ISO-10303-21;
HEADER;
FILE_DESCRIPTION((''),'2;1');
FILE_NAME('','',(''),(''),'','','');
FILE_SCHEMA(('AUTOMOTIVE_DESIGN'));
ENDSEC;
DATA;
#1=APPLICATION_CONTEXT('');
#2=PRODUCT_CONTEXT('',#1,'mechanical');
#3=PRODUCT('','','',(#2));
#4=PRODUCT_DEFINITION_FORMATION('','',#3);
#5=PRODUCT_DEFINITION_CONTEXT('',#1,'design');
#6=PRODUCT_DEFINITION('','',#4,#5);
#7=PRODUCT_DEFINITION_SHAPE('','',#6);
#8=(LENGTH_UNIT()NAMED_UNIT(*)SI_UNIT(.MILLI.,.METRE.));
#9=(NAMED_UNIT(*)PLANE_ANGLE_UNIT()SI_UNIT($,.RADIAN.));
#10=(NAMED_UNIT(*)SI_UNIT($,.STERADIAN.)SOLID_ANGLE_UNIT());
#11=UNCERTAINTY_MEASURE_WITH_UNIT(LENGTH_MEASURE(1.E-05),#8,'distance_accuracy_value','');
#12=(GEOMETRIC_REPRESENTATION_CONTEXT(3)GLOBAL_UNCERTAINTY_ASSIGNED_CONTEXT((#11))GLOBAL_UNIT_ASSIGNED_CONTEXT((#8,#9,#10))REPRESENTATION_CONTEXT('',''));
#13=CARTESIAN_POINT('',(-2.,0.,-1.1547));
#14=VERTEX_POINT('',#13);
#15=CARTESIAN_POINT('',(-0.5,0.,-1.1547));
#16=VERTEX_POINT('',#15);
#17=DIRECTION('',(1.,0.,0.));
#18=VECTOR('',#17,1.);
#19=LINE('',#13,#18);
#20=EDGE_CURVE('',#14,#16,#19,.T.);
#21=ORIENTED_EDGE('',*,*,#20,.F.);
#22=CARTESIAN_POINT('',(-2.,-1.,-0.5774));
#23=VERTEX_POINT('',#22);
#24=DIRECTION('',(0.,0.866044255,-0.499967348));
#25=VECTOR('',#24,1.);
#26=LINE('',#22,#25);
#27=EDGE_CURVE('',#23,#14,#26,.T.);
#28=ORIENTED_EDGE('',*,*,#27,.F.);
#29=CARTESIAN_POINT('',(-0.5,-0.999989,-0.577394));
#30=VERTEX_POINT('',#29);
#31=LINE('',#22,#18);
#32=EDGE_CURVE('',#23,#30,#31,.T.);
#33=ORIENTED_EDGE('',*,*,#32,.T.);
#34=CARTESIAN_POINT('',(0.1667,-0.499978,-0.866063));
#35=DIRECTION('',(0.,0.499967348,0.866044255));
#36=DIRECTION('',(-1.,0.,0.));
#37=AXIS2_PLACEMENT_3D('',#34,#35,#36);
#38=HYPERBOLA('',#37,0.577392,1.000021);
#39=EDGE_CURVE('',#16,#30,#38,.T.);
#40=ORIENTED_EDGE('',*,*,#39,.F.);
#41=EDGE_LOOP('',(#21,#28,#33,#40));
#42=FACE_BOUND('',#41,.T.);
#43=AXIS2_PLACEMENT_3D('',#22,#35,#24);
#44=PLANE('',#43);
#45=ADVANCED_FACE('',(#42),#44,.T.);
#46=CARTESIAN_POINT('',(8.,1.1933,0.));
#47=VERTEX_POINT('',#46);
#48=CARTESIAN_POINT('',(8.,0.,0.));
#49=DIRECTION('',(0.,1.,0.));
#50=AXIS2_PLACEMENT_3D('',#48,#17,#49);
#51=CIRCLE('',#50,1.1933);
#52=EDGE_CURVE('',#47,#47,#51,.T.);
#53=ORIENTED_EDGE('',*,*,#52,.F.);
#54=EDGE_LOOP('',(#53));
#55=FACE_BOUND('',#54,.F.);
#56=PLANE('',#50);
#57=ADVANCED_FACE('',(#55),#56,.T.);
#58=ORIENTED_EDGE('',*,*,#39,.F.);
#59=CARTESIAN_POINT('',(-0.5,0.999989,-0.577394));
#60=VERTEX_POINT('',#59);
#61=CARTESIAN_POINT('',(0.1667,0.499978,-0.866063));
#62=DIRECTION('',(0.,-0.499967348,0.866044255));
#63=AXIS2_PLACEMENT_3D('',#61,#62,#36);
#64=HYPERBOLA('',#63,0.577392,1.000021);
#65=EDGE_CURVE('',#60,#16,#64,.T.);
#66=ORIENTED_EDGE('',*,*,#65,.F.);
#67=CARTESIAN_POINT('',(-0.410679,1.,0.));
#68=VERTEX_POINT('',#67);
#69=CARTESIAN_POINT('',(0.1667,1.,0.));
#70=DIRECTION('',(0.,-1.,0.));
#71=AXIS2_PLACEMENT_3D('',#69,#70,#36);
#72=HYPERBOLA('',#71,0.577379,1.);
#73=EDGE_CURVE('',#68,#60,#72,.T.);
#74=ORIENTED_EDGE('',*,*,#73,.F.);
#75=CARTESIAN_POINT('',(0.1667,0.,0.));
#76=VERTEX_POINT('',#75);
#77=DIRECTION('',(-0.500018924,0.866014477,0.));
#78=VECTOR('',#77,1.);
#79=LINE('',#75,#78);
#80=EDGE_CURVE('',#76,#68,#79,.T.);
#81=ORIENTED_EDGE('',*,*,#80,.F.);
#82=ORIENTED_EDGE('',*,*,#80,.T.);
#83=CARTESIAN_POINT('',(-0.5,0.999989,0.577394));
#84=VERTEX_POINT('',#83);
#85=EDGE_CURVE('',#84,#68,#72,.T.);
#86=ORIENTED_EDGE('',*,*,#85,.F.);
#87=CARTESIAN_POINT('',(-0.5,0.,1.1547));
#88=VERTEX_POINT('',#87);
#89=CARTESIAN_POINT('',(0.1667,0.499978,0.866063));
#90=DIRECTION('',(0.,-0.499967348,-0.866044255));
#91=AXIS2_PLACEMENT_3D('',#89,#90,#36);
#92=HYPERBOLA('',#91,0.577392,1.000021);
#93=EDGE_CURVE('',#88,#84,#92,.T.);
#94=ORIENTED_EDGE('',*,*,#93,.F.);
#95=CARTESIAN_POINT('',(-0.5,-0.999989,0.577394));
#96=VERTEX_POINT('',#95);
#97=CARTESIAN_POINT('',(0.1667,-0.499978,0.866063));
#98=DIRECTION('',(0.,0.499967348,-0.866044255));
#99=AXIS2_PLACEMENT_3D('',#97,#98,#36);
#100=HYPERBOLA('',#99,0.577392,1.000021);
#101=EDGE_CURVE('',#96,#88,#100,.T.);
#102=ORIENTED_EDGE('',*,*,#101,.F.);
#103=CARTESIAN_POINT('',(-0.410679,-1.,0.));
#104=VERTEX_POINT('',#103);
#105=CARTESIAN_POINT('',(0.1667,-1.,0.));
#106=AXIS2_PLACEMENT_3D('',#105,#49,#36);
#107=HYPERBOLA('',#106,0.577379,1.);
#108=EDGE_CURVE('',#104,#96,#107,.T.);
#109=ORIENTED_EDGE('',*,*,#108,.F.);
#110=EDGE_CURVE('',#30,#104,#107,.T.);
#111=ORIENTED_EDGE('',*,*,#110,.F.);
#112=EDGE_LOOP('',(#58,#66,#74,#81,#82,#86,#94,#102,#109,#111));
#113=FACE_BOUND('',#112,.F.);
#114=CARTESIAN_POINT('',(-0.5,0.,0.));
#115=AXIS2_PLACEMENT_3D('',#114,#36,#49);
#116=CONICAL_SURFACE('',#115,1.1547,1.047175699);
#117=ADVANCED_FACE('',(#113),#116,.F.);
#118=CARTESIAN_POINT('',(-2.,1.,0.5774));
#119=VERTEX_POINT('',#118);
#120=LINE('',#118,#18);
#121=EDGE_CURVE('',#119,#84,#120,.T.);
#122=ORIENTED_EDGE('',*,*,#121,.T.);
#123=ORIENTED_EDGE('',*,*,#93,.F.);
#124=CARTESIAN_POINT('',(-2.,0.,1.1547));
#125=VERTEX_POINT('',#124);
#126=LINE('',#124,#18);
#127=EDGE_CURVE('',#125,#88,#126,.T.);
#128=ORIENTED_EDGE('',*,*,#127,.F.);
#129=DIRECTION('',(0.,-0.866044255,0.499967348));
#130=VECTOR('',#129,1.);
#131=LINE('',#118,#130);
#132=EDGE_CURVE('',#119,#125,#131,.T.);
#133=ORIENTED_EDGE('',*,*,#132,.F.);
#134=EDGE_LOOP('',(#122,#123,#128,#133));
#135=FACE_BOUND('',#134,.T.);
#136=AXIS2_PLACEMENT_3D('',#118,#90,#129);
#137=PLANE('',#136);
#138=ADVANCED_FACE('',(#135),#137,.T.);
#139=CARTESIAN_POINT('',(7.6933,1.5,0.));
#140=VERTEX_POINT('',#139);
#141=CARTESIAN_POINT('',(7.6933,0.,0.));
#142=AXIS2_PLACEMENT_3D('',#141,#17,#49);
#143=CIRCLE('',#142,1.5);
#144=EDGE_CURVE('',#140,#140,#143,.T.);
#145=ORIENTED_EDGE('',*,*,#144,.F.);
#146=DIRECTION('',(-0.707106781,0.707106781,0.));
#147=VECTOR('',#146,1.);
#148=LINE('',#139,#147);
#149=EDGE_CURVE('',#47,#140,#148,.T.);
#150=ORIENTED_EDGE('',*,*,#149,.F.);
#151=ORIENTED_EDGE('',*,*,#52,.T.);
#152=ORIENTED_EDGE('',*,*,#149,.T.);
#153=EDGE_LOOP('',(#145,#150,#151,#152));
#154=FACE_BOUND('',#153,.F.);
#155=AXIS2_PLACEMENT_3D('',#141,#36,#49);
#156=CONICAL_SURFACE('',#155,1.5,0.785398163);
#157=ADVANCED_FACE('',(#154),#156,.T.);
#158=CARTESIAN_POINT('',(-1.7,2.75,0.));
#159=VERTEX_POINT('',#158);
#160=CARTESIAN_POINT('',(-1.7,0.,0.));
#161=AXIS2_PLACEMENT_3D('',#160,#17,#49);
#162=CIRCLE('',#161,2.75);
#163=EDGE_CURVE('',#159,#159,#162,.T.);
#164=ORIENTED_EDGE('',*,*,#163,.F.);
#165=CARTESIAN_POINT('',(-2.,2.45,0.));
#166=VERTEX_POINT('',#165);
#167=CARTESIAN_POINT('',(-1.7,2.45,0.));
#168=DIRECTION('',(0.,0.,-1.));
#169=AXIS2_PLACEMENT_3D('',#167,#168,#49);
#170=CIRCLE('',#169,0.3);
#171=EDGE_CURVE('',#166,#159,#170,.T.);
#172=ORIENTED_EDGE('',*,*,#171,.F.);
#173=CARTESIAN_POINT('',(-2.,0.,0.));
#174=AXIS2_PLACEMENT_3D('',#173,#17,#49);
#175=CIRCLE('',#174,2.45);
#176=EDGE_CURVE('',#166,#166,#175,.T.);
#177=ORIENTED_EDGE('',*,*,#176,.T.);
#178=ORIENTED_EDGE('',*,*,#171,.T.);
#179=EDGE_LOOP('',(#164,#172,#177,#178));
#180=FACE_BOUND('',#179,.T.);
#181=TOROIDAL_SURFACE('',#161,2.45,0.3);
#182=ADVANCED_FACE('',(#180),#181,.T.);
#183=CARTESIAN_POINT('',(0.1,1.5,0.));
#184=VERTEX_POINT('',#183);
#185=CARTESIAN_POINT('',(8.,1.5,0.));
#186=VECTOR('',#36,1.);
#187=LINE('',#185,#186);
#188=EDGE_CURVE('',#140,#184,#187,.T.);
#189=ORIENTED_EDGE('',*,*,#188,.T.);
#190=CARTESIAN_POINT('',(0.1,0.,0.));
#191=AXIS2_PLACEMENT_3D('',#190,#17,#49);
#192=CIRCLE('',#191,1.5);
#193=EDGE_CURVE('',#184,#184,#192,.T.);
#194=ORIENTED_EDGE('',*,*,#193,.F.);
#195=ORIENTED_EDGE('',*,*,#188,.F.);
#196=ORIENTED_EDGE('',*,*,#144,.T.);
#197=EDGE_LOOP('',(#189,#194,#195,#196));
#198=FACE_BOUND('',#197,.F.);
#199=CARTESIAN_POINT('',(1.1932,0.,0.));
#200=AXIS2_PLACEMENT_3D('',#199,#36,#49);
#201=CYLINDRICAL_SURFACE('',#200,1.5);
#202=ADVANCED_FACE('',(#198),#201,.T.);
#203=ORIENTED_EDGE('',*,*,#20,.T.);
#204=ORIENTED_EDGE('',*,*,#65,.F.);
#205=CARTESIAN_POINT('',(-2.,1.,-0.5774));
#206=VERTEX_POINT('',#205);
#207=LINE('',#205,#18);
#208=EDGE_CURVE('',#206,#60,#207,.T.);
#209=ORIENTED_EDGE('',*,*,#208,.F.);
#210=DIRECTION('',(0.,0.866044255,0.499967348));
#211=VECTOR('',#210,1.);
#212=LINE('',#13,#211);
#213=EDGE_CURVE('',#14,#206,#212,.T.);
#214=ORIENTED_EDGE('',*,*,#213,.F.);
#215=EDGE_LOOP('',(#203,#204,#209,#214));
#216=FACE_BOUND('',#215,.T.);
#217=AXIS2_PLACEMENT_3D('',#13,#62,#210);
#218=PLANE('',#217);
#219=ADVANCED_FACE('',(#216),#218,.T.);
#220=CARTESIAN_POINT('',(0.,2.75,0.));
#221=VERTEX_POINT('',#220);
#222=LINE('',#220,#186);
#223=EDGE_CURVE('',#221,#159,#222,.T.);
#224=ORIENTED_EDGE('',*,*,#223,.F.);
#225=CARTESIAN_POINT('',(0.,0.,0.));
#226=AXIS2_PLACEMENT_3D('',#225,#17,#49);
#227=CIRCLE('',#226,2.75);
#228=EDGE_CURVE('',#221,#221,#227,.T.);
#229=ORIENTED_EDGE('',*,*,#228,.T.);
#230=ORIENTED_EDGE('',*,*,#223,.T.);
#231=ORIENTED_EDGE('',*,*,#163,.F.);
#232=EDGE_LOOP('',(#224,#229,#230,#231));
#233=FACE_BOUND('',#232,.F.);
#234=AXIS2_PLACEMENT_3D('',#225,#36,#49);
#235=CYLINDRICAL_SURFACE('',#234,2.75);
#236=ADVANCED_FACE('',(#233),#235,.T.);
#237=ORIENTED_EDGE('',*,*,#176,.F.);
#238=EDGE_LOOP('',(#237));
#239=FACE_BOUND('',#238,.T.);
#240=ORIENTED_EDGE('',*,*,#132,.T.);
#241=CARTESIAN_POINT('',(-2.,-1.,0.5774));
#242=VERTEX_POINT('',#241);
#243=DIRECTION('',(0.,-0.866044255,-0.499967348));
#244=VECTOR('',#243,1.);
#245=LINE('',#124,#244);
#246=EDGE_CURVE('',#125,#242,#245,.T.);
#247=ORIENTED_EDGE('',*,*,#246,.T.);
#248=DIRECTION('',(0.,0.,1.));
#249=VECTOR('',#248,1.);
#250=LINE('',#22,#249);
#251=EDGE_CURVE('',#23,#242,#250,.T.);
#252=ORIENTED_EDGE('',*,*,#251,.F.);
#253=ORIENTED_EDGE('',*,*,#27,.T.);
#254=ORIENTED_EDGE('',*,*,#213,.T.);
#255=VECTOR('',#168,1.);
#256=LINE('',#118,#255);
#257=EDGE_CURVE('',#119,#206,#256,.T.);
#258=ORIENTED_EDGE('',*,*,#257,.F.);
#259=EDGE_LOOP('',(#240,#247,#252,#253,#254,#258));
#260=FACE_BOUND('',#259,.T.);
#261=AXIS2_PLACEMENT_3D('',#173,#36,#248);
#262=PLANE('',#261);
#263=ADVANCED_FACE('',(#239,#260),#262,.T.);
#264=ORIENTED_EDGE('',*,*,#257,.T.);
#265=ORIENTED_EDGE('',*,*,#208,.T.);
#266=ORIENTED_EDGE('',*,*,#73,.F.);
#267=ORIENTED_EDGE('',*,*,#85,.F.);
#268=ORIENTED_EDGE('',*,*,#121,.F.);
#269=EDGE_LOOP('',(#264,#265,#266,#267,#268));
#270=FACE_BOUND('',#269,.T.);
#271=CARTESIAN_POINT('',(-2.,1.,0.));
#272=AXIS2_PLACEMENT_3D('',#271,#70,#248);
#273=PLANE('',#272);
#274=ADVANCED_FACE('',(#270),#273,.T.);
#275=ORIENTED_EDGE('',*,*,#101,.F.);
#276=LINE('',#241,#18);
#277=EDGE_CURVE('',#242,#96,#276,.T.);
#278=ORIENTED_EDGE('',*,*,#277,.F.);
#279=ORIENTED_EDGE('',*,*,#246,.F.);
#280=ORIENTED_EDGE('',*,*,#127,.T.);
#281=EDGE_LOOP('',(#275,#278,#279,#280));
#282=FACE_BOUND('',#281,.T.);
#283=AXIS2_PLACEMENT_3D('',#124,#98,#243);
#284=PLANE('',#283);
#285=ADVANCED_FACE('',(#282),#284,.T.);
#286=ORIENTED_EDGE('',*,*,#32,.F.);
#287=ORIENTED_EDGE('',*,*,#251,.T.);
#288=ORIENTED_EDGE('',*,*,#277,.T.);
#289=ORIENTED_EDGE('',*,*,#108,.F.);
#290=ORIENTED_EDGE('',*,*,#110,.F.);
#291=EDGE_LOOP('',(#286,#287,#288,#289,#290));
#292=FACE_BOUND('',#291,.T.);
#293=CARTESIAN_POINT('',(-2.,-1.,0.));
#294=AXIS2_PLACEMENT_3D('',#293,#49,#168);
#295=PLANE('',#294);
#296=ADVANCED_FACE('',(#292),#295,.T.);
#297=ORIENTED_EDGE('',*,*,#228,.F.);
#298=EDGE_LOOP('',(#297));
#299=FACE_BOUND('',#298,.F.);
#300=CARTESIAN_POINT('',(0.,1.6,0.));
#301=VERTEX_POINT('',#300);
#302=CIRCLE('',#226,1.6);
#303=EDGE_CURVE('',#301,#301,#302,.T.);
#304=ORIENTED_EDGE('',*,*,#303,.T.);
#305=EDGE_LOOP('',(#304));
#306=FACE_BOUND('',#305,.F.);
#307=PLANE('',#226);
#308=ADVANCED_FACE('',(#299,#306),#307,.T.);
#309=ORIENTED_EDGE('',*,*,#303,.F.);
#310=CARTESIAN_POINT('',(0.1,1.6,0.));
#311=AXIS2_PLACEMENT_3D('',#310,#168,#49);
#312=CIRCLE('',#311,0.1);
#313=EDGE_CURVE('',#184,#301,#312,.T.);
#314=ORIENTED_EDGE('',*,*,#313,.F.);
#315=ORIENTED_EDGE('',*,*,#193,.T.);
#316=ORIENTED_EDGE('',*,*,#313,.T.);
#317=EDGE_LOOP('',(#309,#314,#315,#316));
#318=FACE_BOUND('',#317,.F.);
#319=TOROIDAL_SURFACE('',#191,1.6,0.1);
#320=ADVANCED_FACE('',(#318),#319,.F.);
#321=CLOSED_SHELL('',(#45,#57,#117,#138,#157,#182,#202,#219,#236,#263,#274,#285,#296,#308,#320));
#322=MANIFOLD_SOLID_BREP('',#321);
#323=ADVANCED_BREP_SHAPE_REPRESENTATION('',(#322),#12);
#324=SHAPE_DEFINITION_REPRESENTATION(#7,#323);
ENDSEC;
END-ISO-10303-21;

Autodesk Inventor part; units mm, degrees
ref_plane "YZ Plane" through (0, 0, 0) normal (1, 0, 0) x (0, 1, 0)
ref_plane "XZ Plane" through (0, 0, 0) normal (0, 1, 0) x (-1, 0, 0)
sketch "Skizze1" plane through (0, 0, 0) normal (0, 0, 1) x (1, 0, 0)
  line L0 (0.1667, 0) -> (8, 0)
  line L1 (8, 0) -> (8, 1.5)
  line L2 (8, 1.5) -> (1.5, 1.5)
  line L3 (1.5, 1.5) -> (1.1932, 1.5)
  line L4 (1.1932, 1.5) -> (0, 1.5)
  line L5 (0, 1.5) -> (0, 2.75)
  line L6 (0, 2.75) -> (-2, 2.75)
  line L7 (-2, 2.75) -> (-2, 1.1547)
  line L8 (-2, 1.1547) -> (-0.5, 1.1547)
  line L9 (-0.5, 1.1547) -> (0.1667, 0)
  line L10 (-4, 0) -> (10, 0) projected
  line L11 (0, -0.55) -> (0, 3.3) projected
  line L12 (1.5, 1.5) -> (0, 1.5) construction
  dimension "d1" = 6.5
  dimension "d2" = 0.3068
  dimension "d3" = 2
  dimension "d4" = 1.5
  dimension "d5" = 60
  dimension "d6" = 3
  dimension "d7" = 3
  dimension "d8" = 2.3094
  dimension "d9" = 5.5
  dimension "d26" = 8
revolve "Körper" add sketch "Skizze1" angle 360 about axis through (0.1667, 0, 0) along (1, 0, 0) contours L9 L11 L4 L3 L2 L1 L0 | L9 L8 L7 L6 L5 L11
sketch "Skizze2" plane through (-2, 0, 0) normal (-1, 0, 0) x (0, 0, 1)
  circle A0 centre (0, 0) radius 1.1547 projected
  line L0 (0, -3.85) -> (0, 3.85) projected
  line L1 (-3.85, 0) -> (3.85, 0) projected
  line L2 (1.1547, 0) -> (0.5774, -1)
  line L3 (0.5774, -1) -> (-0.5774, -1)
  line L4 (-0.5774, -1) -> (-1.1547, 0)
  line L5 (-1.1547, 0) -> (-0.5774, 1)
  line L6 (-0.5774, 1) -> (0.5774, 1)
  line L7 (0.5774, 1) -> (1.1547, 0)
extrude "Loch" add sketch "Skizze2" against normal up to next contours L7 A0 | A0 L2 | L6 L0 A0 | A0 L0 L3 | L0 L6 A0 | A0 L3 L0 | L4 A0 | A0 L5
fillet "Rundung1" radius 0.3 1 edges at (-2, -2.75, 0)
thread "Gewinde" size "M3x0.5" class "6g" standard "ISO Metric profile" length 6.5
chamfer "Fase1" distance 0.3067 distance2 0.3067 1 edges at (8, -1.5, 0) measured on face at (8, 0.5539, 0.4443)
ref_plane "Work Plane1" through (29, 0, 0) normal (0, -1, 0) x (1, 0, 0)
fillet "Fillet2" radius 0.1 1 edges at (0, -1.5, 0)
equation "\"d1\" = GEL"
equation "\"d3\" = KOH"
equation "\"d4\" = INTI"
equation "\"d6\" = GD"
equation "\"d7\" = BDM"
equation "\"d8\" = 1.1547 * SW"
equation "\"d9\" = KOD"
equation "\"d26\" = NLG"
equation "\"d30\" = R"
equation "\"d17\" = RR"
equation "\"d13\" = GEL"
equation "\"d15\" = -0.5 * SPD + 0.5 * GD"
equation "\"d16\" = GUL"
equation "\"GD\" = NND"
equation "\"NLG\" = 8"
equation "\"GEL\" = 6.5"
equation "\"KOD\" = 5.5"
equation "\"KOH\" = 2"
equation "\"INTI\" = 1.5"
equation "\"GAL\" = 0.61345 * PTC"
equation "\"GUL\" = 0.61345 * PTC"
equation "\"BDM\" = NND"
equation "\"SW\" = 2"
equation "\"RR\" = 0.3"
equation "\"SPD\" = NND - 1.2269 * PTC"
equation "\"R\" = 0.1"
equation "\"TOA\" = 30deg"
equation "\"GD1\" = THREADDIA - 1.2269 * PTC"
equation "\"THREADDIA\" = 3"
equation "\"FAWI\" = 45deg"
equation "\"ANG\" = 120deg"
equation "\"PTC\" = 0.5"
equation "\"NND\" = 3"
equation "\"E0\" = 1.155 * SW"
properties part number "DIN 7984 - M3 x 8" material "Stahl, weich"
